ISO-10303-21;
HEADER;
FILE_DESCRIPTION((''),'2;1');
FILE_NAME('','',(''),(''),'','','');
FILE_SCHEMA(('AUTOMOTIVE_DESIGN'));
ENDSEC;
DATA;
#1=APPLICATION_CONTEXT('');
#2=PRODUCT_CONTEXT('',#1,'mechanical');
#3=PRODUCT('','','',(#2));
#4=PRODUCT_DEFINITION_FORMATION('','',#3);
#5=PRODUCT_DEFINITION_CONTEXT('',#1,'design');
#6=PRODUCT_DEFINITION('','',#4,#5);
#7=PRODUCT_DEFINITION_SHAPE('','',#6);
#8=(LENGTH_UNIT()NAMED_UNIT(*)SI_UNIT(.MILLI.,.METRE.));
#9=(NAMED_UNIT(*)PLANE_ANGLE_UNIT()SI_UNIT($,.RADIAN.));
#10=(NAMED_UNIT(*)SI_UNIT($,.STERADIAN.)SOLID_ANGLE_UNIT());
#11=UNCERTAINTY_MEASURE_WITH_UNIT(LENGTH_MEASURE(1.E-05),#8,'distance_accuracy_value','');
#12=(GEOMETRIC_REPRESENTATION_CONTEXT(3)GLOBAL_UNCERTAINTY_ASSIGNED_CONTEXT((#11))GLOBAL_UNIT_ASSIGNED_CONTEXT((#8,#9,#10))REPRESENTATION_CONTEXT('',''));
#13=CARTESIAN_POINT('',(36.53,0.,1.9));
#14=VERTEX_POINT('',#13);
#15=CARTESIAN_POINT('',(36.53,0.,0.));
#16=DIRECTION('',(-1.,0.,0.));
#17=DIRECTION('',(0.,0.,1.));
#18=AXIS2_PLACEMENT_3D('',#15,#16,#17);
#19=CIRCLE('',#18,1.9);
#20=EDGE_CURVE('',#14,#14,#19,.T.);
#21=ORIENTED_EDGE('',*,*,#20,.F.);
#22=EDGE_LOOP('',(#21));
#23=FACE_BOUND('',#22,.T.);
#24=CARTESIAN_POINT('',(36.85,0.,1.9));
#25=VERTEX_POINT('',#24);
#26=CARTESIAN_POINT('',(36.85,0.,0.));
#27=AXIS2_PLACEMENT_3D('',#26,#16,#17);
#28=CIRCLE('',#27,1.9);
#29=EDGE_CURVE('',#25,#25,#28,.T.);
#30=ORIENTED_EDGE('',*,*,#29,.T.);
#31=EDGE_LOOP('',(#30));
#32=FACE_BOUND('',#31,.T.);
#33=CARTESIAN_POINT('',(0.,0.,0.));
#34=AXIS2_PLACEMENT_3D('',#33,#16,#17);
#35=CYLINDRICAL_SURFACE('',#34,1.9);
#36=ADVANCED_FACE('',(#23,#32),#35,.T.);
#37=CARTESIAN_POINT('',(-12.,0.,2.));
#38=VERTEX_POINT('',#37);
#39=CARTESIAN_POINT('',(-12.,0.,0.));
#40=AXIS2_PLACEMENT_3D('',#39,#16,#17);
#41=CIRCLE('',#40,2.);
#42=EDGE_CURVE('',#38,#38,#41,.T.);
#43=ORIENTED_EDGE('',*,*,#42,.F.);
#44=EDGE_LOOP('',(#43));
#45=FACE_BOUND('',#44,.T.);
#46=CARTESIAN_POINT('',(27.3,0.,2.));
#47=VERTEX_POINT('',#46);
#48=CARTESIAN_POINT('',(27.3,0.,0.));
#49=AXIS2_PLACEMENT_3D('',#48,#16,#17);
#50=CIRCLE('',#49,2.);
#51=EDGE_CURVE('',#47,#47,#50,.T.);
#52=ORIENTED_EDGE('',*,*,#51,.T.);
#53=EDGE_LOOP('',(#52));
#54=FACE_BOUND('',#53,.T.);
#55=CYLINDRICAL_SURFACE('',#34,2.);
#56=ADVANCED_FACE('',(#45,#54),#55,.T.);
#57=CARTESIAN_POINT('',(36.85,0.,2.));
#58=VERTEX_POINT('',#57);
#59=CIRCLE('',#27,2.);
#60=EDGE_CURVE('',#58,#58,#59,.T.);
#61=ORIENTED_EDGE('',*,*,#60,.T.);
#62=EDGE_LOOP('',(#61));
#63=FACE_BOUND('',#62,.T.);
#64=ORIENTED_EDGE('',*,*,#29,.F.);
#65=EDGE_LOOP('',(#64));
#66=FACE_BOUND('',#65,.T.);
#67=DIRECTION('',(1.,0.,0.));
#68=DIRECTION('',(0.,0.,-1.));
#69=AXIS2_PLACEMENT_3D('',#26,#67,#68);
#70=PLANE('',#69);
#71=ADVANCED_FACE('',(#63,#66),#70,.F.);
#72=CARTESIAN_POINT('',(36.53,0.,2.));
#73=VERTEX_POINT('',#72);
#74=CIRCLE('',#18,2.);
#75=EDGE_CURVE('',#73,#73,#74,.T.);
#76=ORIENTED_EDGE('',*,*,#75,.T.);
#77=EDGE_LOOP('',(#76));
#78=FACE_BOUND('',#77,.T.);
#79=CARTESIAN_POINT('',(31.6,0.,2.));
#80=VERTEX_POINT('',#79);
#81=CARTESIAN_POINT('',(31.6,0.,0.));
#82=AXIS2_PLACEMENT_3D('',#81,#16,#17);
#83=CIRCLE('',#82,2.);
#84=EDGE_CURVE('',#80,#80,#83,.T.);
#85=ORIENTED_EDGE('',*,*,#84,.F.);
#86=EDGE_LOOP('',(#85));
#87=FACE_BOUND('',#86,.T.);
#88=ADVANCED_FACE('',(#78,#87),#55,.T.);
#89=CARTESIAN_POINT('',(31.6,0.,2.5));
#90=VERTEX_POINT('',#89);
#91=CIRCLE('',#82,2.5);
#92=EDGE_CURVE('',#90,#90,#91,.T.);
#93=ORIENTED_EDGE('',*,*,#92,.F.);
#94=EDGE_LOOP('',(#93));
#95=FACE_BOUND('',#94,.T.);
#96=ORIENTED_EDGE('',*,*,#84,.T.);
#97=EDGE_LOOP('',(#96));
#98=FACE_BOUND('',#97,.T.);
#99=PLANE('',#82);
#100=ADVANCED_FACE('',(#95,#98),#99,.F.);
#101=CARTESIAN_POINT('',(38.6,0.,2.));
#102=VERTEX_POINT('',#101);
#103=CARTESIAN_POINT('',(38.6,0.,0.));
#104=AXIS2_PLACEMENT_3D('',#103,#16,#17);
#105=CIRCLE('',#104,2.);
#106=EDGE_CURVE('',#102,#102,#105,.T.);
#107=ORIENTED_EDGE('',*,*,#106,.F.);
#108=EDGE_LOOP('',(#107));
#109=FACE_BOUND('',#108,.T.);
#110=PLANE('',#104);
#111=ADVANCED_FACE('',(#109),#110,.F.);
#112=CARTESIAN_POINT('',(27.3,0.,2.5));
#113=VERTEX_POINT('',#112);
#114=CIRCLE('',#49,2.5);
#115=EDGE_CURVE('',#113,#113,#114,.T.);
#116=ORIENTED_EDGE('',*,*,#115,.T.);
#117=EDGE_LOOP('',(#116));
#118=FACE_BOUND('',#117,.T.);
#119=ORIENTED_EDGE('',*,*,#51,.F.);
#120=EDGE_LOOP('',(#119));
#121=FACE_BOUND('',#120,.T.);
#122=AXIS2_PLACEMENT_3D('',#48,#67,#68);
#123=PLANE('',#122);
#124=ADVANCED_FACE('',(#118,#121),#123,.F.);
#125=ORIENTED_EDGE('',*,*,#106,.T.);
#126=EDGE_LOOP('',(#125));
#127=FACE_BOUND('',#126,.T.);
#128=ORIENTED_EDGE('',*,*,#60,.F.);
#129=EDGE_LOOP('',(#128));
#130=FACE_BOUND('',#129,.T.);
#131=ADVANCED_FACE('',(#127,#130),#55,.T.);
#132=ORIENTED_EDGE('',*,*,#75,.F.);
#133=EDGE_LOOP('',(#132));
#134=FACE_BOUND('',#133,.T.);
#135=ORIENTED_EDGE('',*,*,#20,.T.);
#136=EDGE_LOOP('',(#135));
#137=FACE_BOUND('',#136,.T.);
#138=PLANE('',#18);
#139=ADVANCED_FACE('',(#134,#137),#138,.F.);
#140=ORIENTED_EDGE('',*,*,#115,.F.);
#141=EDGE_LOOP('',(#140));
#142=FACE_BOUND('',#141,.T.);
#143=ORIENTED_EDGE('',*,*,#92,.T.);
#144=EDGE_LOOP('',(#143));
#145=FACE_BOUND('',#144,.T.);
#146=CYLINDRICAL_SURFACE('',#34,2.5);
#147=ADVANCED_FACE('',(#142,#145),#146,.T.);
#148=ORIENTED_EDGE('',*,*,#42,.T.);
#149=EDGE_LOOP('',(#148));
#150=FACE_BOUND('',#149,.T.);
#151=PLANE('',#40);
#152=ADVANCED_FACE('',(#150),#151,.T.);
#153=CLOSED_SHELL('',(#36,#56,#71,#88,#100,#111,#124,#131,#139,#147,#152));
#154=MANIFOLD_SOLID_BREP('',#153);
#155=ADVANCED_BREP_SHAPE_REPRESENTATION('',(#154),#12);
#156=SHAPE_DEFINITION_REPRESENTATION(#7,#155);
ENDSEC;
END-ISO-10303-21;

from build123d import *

# Parameters (mm, degrees)
SKETCH1_W = 12
SKETCH1_H = 2


with BuildPart() as part:
    # Sketch1 → Revolve1 (revolve)
    with BuildSketch(Plane.XY, mode=Mode.PRIVATE) as revolve1_sk:
        Polygon((27.3, 2.5), (27.3, 2), (0, 2), (0, 0), (38.6, 0), (38.6, 2), (36.85, 2), (36.85, 1.9), (36.53, 1.9), (36.53, 2), (31.6, 2), (31.6, 2.5), align=None)
        with Locations((-6, 1)):
            Rectangle(SKETCH1_W, SKETCH1_H)
    revolve(revolve1_sk.sketch.rotate(Axis((0, 0, 0), (1, 0, 0)), 90), axis=Axis((0, 0, 0), (1, 0, 0)))


solid = part.part
